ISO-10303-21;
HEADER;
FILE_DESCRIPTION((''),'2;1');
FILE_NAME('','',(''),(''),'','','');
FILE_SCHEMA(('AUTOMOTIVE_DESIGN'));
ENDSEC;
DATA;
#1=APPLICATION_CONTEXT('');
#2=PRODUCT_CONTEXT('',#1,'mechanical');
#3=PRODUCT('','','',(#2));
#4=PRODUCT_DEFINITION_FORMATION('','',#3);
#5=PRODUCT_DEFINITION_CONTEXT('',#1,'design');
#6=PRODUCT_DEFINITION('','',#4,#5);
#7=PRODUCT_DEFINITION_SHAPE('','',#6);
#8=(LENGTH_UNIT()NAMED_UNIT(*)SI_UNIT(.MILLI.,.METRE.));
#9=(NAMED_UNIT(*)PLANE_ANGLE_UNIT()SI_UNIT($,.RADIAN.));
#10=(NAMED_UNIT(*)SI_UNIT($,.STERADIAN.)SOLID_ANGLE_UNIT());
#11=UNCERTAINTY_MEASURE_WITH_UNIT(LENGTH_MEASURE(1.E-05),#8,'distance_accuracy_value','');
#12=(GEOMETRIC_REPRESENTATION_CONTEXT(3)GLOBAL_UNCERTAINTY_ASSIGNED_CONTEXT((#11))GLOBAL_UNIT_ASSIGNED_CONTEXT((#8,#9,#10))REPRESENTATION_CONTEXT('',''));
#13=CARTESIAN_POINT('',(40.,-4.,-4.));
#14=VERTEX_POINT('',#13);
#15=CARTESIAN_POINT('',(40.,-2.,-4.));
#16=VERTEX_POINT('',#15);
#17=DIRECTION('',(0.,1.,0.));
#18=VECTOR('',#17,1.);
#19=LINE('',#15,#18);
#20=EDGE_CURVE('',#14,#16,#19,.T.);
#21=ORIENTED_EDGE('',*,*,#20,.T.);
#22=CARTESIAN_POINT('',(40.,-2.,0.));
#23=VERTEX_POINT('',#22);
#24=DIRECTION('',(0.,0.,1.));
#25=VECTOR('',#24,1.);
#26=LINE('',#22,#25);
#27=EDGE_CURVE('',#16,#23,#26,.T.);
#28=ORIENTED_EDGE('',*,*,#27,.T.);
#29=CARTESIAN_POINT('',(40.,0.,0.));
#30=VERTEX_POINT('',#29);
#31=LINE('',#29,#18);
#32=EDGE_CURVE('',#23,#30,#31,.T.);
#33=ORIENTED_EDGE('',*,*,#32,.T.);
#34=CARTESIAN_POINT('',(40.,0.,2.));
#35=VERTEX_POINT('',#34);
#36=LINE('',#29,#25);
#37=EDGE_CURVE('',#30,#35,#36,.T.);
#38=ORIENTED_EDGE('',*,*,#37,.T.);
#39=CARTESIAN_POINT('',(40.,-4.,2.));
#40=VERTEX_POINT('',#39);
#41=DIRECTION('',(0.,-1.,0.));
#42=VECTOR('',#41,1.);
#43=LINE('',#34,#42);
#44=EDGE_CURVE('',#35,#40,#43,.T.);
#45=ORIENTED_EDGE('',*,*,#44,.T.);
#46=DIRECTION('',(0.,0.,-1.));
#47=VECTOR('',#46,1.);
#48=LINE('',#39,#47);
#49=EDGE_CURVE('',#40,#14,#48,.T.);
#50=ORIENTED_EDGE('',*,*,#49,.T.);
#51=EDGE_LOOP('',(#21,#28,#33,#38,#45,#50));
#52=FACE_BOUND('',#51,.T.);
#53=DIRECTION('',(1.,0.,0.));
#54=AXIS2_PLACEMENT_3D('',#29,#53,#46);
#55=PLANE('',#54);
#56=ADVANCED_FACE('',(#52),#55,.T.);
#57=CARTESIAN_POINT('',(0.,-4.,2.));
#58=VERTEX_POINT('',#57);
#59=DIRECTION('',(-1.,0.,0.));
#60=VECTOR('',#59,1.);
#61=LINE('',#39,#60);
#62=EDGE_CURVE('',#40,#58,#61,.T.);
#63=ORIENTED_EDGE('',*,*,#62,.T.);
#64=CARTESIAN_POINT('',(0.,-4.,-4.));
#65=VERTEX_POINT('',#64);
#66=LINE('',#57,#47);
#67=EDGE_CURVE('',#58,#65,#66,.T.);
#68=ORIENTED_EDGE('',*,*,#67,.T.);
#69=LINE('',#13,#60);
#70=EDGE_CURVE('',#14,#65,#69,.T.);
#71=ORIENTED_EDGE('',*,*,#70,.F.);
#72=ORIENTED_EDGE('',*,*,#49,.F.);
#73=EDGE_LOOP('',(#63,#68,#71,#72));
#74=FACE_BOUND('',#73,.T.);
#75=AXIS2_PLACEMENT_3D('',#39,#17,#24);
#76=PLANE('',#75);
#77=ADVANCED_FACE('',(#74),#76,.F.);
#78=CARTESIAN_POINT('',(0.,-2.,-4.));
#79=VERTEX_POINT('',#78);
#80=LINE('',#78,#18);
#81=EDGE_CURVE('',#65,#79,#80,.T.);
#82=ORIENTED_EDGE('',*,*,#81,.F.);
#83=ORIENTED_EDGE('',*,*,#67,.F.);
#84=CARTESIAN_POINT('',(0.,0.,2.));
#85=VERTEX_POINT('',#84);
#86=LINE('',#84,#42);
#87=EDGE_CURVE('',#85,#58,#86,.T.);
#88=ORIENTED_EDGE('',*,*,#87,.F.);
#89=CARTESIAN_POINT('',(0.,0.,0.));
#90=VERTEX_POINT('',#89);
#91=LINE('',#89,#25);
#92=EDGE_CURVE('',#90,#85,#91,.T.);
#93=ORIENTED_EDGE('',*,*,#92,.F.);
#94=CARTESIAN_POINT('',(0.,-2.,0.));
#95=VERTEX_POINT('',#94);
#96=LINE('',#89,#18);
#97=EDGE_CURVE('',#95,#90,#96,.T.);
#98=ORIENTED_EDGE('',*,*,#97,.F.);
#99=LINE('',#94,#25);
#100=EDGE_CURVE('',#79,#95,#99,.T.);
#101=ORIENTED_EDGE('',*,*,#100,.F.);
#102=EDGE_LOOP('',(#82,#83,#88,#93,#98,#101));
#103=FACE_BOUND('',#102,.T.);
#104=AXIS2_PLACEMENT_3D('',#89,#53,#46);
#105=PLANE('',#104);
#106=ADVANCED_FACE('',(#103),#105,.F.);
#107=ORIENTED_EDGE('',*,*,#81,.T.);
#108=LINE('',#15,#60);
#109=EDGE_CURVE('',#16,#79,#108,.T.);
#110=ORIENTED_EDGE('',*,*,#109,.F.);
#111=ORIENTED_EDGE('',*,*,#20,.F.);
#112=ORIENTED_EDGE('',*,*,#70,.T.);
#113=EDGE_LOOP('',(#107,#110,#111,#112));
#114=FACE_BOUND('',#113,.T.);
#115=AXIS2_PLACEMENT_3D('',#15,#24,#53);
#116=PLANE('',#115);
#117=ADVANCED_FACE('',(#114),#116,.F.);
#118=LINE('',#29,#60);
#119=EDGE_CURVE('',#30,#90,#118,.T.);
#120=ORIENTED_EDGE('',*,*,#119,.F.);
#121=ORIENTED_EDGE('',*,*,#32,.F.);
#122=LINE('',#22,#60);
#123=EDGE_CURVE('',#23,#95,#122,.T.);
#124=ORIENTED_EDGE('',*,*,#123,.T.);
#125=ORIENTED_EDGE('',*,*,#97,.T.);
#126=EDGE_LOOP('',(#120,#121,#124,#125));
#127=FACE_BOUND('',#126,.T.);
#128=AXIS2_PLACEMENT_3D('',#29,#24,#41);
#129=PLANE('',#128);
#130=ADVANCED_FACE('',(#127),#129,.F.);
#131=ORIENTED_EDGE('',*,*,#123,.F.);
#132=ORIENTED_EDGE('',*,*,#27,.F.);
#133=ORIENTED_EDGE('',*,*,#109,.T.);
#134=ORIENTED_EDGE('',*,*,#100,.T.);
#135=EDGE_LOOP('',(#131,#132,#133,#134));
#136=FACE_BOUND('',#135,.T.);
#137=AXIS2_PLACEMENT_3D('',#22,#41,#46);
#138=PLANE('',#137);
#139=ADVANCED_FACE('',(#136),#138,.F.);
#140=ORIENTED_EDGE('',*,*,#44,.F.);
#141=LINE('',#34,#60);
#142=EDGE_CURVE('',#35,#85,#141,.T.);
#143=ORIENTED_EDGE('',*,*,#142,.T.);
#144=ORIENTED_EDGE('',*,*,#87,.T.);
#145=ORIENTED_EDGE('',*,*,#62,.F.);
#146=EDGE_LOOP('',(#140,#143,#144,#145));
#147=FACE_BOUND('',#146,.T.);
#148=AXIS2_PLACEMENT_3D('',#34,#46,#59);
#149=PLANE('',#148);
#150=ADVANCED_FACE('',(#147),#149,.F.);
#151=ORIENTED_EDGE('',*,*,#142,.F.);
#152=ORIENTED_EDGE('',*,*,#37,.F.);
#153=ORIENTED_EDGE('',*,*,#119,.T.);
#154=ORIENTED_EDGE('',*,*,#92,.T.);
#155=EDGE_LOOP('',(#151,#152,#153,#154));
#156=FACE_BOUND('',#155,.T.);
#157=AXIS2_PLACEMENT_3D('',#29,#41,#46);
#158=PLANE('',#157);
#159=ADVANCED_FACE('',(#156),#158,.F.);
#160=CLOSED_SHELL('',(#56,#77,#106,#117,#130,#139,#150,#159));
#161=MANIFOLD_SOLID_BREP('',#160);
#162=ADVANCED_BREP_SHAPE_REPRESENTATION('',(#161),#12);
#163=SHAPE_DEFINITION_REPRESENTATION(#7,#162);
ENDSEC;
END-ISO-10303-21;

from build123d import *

# Parameters (mm, degrees)
BOSS_EXTRUDE1_DEPTH = 40


with BuildPart() as part:
    # Sketch2 → Boss-Extrude1 (new body)
    with BuildSketch(Plane(origin=(0, 0, 0), x_dir=(0, 0, -1), z_dir=(1, 0, 0))):
        Polygon((0, 0), (0, -2), (4, -2), (4, -4), (-2, -4), (-2, 0), align=None)
    extrude(amount=BOSS_EXTRUDE1_DEPTH)


solid = part.part
